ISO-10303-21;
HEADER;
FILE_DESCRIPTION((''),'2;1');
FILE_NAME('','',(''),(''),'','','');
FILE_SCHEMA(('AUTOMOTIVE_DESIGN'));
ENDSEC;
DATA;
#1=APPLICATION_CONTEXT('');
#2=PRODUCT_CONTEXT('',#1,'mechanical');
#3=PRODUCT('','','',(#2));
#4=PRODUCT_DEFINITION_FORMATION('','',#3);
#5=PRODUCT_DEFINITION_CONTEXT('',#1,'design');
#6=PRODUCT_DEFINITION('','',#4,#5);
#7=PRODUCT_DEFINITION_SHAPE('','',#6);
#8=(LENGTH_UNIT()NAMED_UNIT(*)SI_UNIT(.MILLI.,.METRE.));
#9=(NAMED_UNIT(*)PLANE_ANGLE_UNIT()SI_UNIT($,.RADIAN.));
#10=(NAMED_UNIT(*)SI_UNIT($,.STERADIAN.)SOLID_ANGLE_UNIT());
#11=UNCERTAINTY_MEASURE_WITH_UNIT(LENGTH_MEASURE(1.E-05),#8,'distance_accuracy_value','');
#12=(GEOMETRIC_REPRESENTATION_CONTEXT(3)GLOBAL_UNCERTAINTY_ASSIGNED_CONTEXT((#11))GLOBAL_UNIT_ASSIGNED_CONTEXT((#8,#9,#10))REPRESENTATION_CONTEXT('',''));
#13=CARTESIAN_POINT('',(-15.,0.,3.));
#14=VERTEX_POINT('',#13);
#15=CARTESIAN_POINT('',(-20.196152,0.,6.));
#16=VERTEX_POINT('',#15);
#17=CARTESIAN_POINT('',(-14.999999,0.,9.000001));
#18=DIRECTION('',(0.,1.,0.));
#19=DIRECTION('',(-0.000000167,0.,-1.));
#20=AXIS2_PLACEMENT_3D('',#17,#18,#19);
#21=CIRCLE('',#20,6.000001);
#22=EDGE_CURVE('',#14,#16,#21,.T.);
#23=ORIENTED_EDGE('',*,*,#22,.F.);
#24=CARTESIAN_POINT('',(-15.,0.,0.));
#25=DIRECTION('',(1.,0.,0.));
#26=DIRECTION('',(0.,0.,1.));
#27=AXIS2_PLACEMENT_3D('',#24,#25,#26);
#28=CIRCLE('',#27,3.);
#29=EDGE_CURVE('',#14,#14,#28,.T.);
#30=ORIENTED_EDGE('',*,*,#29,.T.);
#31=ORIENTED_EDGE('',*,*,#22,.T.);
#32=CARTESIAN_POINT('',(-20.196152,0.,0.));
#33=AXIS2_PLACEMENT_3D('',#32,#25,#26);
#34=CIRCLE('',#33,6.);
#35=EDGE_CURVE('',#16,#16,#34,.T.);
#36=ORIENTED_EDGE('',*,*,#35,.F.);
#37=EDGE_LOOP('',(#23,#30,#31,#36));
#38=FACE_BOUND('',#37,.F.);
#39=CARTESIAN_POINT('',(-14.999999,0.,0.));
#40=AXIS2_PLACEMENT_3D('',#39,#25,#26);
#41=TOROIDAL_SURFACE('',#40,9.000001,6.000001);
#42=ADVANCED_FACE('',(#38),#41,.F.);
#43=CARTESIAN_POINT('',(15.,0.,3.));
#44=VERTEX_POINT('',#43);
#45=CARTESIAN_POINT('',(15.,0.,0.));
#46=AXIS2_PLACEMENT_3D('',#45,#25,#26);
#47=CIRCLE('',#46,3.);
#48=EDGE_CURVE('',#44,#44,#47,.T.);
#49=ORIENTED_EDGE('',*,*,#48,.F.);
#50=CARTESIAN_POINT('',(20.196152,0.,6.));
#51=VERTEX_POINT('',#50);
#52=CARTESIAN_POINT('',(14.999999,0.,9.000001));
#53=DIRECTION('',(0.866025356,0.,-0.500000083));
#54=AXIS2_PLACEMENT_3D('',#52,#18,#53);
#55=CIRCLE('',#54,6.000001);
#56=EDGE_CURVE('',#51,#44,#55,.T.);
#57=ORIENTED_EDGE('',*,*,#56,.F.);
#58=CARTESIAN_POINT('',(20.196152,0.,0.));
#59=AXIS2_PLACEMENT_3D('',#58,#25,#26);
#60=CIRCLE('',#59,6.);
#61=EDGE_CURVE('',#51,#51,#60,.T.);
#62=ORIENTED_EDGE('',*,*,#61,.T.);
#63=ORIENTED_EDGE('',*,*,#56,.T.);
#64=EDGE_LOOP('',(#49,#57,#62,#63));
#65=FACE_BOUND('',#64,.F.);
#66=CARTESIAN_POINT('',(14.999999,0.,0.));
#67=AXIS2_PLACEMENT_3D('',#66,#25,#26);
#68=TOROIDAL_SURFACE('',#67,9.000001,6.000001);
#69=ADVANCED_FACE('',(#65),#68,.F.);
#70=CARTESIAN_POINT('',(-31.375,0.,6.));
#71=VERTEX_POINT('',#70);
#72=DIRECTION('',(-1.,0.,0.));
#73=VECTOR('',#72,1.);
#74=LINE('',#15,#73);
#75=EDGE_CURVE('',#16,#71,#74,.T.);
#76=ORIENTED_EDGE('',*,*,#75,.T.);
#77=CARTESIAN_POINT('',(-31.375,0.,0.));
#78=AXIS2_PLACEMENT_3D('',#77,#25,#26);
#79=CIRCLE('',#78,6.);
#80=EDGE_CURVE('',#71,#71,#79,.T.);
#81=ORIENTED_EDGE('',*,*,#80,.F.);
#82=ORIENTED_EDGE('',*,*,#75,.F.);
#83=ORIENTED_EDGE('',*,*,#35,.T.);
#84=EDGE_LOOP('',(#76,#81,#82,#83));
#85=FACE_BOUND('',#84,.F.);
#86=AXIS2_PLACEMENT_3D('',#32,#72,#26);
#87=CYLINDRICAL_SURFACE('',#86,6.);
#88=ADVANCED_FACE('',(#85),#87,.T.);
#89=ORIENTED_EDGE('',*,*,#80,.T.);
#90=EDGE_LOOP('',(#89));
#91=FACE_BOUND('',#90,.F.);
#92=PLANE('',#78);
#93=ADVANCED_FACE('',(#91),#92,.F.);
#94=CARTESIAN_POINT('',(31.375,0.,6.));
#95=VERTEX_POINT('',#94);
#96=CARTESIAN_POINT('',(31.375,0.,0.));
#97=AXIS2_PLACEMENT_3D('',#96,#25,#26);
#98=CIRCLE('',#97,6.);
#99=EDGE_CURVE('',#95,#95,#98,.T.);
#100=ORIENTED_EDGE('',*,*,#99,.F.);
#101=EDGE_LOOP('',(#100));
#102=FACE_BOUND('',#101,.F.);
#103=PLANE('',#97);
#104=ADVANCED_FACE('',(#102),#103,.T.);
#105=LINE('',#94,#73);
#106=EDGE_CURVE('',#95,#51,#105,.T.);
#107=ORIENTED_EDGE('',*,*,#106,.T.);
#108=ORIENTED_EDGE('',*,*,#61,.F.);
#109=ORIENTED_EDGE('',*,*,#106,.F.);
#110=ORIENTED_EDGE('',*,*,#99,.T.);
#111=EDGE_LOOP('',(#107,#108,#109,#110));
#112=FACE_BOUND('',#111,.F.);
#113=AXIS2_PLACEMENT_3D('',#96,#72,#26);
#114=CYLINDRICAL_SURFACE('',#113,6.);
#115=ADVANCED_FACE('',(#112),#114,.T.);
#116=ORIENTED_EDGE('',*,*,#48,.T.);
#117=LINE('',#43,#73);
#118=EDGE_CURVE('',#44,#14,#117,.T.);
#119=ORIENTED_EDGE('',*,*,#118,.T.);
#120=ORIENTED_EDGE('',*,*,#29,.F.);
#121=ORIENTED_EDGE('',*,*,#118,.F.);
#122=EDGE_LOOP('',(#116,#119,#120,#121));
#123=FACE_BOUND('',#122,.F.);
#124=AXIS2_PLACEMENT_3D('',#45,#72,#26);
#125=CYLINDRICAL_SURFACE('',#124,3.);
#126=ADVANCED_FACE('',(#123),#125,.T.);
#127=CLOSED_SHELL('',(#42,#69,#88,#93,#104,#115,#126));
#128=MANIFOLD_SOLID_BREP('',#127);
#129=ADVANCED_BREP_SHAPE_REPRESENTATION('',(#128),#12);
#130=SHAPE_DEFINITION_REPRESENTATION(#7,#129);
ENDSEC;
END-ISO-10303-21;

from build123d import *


with BuildPart() as f1:
    # F0 (on Front) → F1 (revolve)
    with BuildSketch(Plane.XZ):
        with BuildLine():
            Line((15, 3), (-15, 3))
            ThreePointArc((-15, 3), (-18, 3.803848), (-20.196152, 6))
            Line((-20.196152, 6), (-31.375, 6))
            Line((-31.375, 6), (-31.375, 0))
            Line((-31.375, 0), (31.375, 0))
            Line((31.375, 0), (31.375, 6))
            Line((31.375, 6), (20.196152, 6))
            ThreePointArc((20.196152, 6), (18, 3.803848), (15, 3))
        make_face()
    revolve(axis=Axis((0, 0, 0), (1, 0, 0)))


solid = f1.part
